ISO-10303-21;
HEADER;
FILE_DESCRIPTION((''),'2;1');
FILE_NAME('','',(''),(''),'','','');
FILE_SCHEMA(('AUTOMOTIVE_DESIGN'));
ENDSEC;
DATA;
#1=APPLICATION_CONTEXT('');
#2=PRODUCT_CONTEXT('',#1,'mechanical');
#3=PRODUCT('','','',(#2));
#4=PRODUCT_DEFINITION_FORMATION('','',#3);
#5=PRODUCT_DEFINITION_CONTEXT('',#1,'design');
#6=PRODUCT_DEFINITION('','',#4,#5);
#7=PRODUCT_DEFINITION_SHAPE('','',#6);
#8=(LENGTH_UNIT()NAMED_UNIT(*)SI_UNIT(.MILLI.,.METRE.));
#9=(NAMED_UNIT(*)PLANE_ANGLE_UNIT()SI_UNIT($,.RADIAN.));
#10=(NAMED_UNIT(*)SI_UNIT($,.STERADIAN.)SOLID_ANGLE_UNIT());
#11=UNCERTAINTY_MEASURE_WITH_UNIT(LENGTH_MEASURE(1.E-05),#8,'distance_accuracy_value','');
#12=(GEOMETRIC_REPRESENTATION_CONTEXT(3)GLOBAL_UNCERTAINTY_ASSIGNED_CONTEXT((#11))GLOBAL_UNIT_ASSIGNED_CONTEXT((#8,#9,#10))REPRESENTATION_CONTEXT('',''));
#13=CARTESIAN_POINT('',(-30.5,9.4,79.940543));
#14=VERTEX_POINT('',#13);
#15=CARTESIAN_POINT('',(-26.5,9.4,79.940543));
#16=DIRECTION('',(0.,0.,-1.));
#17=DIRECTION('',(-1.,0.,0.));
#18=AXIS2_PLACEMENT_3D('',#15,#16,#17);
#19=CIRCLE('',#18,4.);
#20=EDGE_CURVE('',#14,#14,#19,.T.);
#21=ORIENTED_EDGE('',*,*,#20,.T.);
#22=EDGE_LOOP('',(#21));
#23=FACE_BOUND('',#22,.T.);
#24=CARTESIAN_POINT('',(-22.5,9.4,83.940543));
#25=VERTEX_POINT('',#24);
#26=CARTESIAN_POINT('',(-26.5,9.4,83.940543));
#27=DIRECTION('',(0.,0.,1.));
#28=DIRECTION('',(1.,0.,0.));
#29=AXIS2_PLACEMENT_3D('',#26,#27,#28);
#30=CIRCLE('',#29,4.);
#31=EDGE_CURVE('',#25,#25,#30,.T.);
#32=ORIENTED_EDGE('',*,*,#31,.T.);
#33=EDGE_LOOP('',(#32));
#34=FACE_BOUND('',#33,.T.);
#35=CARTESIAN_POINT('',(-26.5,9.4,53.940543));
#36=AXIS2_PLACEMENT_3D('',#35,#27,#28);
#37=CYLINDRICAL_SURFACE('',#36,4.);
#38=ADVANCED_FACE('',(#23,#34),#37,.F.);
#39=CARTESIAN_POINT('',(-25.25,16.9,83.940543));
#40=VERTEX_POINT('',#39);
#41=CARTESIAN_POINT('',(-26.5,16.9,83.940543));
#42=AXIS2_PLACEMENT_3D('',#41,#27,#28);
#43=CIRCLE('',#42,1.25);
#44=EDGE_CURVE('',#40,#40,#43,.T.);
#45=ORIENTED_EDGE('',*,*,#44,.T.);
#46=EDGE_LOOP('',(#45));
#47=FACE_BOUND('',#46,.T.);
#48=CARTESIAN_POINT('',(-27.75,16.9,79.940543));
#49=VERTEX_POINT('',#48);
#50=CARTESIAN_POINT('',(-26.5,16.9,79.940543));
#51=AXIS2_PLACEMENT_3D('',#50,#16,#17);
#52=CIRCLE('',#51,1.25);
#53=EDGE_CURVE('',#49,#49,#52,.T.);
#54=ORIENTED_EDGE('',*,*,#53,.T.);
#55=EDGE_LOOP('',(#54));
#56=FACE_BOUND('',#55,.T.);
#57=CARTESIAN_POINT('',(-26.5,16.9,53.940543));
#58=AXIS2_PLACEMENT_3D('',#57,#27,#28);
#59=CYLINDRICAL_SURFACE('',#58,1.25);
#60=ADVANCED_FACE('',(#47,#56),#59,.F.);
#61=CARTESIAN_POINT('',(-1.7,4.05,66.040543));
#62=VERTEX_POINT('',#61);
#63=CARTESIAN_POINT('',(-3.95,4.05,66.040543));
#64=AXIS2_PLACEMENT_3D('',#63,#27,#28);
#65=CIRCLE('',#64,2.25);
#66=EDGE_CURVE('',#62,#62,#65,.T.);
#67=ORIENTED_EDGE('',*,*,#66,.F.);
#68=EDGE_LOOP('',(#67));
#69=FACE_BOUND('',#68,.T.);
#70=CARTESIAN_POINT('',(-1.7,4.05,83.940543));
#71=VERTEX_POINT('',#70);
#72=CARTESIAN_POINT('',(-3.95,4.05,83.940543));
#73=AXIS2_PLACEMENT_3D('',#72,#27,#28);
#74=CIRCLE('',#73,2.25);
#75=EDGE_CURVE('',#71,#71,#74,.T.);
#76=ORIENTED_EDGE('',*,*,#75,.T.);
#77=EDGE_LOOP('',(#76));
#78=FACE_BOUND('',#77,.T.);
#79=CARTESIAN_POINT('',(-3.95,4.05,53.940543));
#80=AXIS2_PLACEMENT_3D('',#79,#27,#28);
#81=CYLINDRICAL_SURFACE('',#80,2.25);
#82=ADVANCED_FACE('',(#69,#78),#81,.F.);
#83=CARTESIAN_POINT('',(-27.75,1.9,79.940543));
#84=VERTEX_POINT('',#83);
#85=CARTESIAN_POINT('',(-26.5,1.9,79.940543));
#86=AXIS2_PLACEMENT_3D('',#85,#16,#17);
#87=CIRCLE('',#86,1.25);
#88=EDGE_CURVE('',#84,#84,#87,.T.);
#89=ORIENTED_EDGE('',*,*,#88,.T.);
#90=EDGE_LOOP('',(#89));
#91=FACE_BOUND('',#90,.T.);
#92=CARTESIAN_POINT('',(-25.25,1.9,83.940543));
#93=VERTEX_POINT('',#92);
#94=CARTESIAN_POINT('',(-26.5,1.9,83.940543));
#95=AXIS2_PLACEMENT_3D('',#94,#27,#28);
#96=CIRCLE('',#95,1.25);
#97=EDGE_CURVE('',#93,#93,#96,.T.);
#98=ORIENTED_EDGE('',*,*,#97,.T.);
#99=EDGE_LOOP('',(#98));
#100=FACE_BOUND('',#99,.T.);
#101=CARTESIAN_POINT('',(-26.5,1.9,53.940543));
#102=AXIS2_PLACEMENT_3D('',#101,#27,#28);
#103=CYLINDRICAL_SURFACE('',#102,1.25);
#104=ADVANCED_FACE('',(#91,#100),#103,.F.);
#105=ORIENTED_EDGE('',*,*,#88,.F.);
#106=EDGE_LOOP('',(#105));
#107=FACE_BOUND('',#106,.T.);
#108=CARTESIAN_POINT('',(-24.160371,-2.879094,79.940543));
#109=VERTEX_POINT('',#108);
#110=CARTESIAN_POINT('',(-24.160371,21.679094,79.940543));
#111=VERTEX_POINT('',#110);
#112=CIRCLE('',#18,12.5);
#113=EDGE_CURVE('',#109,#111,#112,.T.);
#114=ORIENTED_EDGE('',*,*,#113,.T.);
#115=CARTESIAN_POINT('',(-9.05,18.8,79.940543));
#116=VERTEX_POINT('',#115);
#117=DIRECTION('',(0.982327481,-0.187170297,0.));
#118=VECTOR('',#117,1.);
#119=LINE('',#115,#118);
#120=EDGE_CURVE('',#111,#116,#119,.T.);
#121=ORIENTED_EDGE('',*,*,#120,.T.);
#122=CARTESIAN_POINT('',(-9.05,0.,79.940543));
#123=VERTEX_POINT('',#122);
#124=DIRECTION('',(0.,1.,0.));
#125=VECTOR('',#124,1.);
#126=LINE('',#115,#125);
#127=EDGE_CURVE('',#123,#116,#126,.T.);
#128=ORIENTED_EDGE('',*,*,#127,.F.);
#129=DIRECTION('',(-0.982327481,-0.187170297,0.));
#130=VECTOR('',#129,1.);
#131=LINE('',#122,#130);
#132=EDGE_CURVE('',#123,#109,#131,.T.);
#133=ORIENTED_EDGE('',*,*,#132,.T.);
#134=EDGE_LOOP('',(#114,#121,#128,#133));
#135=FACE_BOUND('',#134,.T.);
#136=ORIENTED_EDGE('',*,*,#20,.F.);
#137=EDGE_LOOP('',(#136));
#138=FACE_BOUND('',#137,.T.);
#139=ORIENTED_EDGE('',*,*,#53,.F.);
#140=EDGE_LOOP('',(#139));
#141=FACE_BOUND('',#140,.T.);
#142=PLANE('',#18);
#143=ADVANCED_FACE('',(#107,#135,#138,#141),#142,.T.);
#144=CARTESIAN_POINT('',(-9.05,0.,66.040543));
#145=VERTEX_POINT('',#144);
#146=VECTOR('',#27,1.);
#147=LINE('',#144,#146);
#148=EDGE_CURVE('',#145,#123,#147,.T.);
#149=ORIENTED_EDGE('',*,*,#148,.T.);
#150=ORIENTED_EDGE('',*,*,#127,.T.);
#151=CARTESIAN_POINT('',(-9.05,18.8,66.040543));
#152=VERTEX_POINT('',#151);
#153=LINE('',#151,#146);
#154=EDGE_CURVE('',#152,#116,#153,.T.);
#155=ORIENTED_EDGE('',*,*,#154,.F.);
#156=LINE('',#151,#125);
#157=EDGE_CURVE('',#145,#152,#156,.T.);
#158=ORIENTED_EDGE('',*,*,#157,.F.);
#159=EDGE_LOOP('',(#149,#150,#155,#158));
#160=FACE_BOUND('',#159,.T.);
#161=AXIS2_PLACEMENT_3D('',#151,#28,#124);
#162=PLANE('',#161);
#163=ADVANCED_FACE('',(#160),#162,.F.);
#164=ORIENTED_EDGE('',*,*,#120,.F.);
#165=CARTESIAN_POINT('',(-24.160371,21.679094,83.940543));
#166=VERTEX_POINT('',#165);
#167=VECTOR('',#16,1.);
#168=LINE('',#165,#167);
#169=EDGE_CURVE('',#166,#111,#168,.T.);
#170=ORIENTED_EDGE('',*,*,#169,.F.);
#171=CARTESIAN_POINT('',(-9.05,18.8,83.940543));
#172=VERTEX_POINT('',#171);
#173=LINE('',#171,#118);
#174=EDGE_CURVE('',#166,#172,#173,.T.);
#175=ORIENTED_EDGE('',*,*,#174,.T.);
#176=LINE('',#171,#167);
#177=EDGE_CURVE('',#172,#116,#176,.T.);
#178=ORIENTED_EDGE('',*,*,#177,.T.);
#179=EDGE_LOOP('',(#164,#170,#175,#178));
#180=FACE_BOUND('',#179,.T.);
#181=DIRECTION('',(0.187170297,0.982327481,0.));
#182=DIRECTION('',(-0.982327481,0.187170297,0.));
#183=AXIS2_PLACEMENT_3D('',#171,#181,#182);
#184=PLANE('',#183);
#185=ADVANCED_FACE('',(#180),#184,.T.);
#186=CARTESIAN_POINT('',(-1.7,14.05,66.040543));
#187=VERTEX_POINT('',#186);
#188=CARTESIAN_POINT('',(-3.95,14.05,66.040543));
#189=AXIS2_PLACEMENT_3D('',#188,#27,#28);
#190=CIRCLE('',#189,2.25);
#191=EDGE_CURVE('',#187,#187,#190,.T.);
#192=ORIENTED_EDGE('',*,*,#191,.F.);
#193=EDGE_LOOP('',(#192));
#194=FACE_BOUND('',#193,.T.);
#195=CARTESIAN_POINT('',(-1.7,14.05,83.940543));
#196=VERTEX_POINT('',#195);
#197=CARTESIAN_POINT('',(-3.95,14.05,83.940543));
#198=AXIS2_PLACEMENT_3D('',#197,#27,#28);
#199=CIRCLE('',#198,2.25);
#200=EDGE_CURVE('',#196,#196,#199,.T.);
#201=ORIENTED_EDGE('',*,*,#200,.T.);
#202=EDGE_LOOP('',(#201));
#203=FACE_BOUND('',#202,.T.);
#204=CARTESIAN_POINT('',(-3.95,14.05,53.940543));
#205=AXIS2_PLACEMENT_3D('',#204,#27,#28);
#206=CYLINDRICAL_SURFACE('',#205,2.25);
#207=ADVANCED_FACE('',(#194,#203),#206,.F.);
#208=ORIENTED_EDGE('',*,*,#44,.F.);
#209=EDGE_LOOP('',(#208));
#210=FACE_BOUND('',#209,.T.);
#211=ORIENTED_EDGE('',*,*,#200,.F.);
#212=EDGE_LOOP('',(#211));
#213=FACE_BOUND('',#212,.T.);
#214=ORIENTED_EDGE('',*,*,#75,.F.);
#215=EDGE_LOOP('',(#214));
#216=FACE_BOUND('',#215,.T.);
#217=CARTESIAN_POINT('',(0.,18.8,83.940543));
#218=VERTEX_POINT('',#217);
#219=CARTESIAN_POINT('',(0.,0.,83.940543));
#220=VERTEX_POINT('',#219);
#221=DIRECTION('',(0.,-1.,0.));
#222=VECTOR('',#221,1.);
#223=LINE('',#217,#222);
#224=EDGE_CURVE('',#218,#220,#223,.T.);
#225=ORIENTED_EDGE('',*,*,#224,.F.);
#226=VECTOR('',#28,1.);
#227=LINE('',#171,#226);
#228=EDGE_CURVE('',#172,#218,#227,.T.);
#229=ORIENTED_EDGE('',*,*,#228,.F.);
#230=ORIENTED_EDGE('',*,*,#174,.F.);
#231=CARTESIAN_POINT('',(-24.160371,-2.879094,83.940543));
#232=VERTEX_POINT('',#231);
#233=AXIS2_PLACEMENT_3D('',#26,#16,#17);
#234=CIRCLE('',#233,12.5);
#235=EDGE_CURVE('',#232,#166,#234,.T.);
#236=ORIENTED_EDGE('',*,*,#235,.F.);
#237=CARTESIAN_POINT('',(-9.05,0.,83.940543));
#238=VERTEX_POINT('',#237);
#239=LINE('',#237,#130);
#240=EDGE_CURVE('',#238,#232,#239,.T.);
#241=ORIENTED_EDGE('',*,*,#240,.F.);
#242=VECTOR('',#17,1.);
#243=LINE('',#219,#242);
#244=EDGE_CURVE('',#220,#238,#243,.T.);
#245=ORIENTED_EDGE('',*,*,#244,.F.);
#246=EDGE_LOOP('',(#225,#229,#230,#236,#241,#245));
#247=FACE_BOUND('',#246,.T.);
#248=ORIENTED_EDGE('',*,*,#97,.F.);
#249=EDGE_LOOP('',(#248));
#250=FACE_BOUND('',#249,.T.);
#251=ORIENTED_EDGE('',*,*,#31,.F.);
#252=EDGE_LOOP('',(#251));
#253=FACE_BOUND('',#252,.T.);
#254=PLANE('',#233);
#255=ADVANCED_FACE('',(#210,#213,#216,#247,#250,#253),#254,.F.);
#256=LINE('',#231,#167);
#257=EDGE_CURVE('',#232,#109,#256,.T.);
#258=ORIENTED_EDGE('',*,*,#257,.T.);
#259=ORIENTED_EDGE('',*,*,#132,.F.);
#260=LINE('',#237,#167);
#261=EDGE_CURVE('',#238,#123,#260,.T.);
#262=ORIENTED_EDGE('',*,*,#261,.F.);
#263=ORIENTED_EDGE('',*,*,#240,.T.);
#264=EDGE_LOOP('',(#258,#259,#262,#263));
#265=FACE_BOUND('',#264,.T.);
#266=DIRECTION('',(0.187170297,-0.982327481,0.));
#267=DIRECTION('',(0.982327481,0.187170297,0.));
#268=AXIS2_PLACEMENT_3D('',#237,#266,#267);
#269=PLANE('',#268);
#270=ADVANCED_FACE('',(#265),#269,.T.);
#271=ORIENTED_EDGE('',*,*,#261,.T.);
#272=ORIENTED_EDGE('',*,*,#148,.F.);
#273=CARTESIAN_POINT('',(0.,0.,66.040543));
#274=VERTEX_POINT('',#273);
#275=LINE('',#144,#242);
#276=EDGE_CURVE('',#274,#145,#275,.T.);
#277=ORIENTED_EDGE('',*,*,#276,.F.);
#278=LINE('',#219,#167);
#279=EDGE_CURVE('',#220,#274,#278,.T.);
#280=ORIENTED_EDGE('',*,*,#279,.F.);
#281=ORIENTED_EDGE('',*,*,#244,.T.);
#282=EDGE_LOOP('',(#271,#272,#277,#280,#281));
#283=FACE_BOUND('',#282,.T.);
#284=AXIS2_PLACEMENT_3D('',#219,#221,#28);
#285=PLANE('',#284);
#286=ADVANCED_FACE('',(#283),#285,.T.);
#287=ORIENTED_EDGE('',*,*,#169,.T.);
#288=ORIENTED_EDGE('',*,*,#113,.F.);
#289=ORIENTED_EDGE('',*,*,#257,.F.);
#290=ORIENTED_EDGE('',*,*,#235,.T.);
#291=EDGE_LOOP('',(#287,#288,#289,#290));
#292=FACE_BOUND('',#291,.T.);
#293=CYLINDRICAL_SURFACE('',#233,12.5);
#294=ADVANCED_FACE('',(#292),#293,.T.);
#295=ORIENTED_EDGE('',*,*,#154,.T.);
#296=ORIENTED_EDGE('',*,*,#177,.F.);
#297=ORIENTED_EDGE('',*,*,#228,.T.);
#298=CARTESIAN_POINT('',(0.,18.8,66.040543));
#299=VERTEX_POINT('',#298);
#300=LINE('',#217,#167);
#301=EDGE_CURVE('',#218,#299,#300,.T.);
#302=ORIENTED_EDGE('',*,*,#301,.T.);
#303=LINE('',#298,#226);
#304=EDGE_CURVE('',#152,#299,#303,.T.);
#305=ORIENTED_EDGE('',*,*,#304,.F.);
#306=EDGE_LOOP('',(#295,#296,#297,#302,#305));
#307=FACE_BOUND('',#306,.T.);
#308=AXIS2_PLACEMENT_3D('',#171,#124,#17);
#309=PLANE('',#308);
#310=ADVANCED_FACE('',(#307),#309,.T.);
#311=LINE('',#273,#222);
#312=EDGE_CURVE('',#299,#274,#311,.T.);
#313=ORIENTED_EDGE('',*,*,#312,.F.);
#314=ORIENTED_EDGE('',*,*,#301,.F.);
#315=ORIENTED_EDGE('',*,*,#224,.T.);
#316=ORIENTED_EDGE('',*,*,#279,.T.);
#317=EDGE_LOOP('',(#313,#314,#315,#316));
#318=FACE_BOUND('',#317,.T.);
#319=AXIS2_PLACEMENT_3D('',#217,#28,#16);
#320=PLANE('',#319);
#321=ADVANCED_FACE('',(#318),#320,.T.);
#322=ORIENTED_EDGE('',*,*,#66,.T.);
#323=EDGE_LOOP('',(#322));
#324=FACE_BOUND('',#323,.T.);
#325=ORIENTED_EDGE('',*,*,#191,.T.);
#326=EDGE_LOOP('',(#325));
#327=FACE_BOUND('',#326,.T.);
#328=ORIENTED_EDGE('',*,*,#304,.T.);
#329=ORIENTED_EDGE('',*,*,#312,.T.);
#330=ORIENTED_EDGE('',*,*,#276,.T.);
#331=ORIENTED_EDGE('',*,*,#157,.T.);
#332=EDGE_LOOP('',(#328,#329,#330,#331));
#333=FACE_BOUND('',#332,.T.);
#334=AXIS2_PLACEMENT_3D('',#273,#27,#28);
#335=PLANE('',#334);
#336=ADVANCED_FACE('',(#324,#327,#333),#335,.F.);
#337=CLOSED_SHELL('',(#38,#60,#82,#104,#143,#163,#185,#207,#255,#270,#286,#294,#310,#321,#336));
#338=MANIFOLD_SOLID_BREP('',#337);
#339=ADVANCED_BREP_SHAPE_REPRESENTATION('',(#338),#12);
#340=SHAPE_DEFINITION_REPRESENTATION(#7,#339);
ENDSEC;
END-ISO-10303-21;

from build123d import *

# Parameters (mm, degrees)
BOSS_EXTRUDE1_DEPTH = 4.000000656
SKETCH2_W           = 9.05
SKETCH2_H           = 18.8
BOSS_EXTRUDE2_DEPTH = 13.9
SKETCH3_R           = 4
SKETCH3_R_2         = 2.25
SKETCH3_R_3         = 1.25
CUT_EXTRUDE1_DEPTH  = 30


with BuildPart() as part:
    # Sketch1 → Boss-Extrude1 (new body)
    with BuildSketch(Plane(origin=(0, 0, 79.940542579), x_dir=(-1, 0, 0), z_dir=(0, 0, -1))):
        with BuildLine():
            Line((9.05, 0), (24.160371291, -2.879093513))
            ThreePointArc((24.160371291, -2.879093513), (39, 9.4), (24.160371291, 21.679093513))
            Line((24.160371291, 21.679093513), (9.05, 18.8))
            Line((9.05, 18.8), (0, 18.8))
            Line((0, 18.8), (0, 0))
            Line((0, 0), (9.05, 0))
        make_face()
    extrude(amount=-BOSS_EXTRUDE1_DEPTH)

    # Sketch2 → Boss-Extrude2 (add)
    with BuildSketch(Plane(origin=(0, 0, 79.940542579), x_dir=(-1, 0, 0), z_dir=(0, 0, -1))):
        with Locations((4.525, 9.4)):
            Rectangle(SKETCH2_W, SKETCH2_H)
    extrude(amount=BOSS_EXTRUDE2_DEPTH)

    # Sketch3 → Cut-Extrude1 (cut)
    with BuildSketch(Plane.XY.offset(83.940543234)):
        with Locations((-26.5, 9.4)):
            Circle(SKETCH3_R)
        with Locations((-3.95, 14.05)):
            Circle(SKETCH3_R_2)
        with Locations((-3.95, 4.05)):
            Circle(SKETCH3_R_2)
        with Locations((-26.5, 16.9)):
            Circle(SKETCH3_R_3)
        with Locations((-26.5, 1.9)):
            Circle(SKETCH3_R_3)
    extrude(amount=-CUT_EXTRUDE1_DEPTH, mode=Mode.SUBTRACT)


solid = part.part
